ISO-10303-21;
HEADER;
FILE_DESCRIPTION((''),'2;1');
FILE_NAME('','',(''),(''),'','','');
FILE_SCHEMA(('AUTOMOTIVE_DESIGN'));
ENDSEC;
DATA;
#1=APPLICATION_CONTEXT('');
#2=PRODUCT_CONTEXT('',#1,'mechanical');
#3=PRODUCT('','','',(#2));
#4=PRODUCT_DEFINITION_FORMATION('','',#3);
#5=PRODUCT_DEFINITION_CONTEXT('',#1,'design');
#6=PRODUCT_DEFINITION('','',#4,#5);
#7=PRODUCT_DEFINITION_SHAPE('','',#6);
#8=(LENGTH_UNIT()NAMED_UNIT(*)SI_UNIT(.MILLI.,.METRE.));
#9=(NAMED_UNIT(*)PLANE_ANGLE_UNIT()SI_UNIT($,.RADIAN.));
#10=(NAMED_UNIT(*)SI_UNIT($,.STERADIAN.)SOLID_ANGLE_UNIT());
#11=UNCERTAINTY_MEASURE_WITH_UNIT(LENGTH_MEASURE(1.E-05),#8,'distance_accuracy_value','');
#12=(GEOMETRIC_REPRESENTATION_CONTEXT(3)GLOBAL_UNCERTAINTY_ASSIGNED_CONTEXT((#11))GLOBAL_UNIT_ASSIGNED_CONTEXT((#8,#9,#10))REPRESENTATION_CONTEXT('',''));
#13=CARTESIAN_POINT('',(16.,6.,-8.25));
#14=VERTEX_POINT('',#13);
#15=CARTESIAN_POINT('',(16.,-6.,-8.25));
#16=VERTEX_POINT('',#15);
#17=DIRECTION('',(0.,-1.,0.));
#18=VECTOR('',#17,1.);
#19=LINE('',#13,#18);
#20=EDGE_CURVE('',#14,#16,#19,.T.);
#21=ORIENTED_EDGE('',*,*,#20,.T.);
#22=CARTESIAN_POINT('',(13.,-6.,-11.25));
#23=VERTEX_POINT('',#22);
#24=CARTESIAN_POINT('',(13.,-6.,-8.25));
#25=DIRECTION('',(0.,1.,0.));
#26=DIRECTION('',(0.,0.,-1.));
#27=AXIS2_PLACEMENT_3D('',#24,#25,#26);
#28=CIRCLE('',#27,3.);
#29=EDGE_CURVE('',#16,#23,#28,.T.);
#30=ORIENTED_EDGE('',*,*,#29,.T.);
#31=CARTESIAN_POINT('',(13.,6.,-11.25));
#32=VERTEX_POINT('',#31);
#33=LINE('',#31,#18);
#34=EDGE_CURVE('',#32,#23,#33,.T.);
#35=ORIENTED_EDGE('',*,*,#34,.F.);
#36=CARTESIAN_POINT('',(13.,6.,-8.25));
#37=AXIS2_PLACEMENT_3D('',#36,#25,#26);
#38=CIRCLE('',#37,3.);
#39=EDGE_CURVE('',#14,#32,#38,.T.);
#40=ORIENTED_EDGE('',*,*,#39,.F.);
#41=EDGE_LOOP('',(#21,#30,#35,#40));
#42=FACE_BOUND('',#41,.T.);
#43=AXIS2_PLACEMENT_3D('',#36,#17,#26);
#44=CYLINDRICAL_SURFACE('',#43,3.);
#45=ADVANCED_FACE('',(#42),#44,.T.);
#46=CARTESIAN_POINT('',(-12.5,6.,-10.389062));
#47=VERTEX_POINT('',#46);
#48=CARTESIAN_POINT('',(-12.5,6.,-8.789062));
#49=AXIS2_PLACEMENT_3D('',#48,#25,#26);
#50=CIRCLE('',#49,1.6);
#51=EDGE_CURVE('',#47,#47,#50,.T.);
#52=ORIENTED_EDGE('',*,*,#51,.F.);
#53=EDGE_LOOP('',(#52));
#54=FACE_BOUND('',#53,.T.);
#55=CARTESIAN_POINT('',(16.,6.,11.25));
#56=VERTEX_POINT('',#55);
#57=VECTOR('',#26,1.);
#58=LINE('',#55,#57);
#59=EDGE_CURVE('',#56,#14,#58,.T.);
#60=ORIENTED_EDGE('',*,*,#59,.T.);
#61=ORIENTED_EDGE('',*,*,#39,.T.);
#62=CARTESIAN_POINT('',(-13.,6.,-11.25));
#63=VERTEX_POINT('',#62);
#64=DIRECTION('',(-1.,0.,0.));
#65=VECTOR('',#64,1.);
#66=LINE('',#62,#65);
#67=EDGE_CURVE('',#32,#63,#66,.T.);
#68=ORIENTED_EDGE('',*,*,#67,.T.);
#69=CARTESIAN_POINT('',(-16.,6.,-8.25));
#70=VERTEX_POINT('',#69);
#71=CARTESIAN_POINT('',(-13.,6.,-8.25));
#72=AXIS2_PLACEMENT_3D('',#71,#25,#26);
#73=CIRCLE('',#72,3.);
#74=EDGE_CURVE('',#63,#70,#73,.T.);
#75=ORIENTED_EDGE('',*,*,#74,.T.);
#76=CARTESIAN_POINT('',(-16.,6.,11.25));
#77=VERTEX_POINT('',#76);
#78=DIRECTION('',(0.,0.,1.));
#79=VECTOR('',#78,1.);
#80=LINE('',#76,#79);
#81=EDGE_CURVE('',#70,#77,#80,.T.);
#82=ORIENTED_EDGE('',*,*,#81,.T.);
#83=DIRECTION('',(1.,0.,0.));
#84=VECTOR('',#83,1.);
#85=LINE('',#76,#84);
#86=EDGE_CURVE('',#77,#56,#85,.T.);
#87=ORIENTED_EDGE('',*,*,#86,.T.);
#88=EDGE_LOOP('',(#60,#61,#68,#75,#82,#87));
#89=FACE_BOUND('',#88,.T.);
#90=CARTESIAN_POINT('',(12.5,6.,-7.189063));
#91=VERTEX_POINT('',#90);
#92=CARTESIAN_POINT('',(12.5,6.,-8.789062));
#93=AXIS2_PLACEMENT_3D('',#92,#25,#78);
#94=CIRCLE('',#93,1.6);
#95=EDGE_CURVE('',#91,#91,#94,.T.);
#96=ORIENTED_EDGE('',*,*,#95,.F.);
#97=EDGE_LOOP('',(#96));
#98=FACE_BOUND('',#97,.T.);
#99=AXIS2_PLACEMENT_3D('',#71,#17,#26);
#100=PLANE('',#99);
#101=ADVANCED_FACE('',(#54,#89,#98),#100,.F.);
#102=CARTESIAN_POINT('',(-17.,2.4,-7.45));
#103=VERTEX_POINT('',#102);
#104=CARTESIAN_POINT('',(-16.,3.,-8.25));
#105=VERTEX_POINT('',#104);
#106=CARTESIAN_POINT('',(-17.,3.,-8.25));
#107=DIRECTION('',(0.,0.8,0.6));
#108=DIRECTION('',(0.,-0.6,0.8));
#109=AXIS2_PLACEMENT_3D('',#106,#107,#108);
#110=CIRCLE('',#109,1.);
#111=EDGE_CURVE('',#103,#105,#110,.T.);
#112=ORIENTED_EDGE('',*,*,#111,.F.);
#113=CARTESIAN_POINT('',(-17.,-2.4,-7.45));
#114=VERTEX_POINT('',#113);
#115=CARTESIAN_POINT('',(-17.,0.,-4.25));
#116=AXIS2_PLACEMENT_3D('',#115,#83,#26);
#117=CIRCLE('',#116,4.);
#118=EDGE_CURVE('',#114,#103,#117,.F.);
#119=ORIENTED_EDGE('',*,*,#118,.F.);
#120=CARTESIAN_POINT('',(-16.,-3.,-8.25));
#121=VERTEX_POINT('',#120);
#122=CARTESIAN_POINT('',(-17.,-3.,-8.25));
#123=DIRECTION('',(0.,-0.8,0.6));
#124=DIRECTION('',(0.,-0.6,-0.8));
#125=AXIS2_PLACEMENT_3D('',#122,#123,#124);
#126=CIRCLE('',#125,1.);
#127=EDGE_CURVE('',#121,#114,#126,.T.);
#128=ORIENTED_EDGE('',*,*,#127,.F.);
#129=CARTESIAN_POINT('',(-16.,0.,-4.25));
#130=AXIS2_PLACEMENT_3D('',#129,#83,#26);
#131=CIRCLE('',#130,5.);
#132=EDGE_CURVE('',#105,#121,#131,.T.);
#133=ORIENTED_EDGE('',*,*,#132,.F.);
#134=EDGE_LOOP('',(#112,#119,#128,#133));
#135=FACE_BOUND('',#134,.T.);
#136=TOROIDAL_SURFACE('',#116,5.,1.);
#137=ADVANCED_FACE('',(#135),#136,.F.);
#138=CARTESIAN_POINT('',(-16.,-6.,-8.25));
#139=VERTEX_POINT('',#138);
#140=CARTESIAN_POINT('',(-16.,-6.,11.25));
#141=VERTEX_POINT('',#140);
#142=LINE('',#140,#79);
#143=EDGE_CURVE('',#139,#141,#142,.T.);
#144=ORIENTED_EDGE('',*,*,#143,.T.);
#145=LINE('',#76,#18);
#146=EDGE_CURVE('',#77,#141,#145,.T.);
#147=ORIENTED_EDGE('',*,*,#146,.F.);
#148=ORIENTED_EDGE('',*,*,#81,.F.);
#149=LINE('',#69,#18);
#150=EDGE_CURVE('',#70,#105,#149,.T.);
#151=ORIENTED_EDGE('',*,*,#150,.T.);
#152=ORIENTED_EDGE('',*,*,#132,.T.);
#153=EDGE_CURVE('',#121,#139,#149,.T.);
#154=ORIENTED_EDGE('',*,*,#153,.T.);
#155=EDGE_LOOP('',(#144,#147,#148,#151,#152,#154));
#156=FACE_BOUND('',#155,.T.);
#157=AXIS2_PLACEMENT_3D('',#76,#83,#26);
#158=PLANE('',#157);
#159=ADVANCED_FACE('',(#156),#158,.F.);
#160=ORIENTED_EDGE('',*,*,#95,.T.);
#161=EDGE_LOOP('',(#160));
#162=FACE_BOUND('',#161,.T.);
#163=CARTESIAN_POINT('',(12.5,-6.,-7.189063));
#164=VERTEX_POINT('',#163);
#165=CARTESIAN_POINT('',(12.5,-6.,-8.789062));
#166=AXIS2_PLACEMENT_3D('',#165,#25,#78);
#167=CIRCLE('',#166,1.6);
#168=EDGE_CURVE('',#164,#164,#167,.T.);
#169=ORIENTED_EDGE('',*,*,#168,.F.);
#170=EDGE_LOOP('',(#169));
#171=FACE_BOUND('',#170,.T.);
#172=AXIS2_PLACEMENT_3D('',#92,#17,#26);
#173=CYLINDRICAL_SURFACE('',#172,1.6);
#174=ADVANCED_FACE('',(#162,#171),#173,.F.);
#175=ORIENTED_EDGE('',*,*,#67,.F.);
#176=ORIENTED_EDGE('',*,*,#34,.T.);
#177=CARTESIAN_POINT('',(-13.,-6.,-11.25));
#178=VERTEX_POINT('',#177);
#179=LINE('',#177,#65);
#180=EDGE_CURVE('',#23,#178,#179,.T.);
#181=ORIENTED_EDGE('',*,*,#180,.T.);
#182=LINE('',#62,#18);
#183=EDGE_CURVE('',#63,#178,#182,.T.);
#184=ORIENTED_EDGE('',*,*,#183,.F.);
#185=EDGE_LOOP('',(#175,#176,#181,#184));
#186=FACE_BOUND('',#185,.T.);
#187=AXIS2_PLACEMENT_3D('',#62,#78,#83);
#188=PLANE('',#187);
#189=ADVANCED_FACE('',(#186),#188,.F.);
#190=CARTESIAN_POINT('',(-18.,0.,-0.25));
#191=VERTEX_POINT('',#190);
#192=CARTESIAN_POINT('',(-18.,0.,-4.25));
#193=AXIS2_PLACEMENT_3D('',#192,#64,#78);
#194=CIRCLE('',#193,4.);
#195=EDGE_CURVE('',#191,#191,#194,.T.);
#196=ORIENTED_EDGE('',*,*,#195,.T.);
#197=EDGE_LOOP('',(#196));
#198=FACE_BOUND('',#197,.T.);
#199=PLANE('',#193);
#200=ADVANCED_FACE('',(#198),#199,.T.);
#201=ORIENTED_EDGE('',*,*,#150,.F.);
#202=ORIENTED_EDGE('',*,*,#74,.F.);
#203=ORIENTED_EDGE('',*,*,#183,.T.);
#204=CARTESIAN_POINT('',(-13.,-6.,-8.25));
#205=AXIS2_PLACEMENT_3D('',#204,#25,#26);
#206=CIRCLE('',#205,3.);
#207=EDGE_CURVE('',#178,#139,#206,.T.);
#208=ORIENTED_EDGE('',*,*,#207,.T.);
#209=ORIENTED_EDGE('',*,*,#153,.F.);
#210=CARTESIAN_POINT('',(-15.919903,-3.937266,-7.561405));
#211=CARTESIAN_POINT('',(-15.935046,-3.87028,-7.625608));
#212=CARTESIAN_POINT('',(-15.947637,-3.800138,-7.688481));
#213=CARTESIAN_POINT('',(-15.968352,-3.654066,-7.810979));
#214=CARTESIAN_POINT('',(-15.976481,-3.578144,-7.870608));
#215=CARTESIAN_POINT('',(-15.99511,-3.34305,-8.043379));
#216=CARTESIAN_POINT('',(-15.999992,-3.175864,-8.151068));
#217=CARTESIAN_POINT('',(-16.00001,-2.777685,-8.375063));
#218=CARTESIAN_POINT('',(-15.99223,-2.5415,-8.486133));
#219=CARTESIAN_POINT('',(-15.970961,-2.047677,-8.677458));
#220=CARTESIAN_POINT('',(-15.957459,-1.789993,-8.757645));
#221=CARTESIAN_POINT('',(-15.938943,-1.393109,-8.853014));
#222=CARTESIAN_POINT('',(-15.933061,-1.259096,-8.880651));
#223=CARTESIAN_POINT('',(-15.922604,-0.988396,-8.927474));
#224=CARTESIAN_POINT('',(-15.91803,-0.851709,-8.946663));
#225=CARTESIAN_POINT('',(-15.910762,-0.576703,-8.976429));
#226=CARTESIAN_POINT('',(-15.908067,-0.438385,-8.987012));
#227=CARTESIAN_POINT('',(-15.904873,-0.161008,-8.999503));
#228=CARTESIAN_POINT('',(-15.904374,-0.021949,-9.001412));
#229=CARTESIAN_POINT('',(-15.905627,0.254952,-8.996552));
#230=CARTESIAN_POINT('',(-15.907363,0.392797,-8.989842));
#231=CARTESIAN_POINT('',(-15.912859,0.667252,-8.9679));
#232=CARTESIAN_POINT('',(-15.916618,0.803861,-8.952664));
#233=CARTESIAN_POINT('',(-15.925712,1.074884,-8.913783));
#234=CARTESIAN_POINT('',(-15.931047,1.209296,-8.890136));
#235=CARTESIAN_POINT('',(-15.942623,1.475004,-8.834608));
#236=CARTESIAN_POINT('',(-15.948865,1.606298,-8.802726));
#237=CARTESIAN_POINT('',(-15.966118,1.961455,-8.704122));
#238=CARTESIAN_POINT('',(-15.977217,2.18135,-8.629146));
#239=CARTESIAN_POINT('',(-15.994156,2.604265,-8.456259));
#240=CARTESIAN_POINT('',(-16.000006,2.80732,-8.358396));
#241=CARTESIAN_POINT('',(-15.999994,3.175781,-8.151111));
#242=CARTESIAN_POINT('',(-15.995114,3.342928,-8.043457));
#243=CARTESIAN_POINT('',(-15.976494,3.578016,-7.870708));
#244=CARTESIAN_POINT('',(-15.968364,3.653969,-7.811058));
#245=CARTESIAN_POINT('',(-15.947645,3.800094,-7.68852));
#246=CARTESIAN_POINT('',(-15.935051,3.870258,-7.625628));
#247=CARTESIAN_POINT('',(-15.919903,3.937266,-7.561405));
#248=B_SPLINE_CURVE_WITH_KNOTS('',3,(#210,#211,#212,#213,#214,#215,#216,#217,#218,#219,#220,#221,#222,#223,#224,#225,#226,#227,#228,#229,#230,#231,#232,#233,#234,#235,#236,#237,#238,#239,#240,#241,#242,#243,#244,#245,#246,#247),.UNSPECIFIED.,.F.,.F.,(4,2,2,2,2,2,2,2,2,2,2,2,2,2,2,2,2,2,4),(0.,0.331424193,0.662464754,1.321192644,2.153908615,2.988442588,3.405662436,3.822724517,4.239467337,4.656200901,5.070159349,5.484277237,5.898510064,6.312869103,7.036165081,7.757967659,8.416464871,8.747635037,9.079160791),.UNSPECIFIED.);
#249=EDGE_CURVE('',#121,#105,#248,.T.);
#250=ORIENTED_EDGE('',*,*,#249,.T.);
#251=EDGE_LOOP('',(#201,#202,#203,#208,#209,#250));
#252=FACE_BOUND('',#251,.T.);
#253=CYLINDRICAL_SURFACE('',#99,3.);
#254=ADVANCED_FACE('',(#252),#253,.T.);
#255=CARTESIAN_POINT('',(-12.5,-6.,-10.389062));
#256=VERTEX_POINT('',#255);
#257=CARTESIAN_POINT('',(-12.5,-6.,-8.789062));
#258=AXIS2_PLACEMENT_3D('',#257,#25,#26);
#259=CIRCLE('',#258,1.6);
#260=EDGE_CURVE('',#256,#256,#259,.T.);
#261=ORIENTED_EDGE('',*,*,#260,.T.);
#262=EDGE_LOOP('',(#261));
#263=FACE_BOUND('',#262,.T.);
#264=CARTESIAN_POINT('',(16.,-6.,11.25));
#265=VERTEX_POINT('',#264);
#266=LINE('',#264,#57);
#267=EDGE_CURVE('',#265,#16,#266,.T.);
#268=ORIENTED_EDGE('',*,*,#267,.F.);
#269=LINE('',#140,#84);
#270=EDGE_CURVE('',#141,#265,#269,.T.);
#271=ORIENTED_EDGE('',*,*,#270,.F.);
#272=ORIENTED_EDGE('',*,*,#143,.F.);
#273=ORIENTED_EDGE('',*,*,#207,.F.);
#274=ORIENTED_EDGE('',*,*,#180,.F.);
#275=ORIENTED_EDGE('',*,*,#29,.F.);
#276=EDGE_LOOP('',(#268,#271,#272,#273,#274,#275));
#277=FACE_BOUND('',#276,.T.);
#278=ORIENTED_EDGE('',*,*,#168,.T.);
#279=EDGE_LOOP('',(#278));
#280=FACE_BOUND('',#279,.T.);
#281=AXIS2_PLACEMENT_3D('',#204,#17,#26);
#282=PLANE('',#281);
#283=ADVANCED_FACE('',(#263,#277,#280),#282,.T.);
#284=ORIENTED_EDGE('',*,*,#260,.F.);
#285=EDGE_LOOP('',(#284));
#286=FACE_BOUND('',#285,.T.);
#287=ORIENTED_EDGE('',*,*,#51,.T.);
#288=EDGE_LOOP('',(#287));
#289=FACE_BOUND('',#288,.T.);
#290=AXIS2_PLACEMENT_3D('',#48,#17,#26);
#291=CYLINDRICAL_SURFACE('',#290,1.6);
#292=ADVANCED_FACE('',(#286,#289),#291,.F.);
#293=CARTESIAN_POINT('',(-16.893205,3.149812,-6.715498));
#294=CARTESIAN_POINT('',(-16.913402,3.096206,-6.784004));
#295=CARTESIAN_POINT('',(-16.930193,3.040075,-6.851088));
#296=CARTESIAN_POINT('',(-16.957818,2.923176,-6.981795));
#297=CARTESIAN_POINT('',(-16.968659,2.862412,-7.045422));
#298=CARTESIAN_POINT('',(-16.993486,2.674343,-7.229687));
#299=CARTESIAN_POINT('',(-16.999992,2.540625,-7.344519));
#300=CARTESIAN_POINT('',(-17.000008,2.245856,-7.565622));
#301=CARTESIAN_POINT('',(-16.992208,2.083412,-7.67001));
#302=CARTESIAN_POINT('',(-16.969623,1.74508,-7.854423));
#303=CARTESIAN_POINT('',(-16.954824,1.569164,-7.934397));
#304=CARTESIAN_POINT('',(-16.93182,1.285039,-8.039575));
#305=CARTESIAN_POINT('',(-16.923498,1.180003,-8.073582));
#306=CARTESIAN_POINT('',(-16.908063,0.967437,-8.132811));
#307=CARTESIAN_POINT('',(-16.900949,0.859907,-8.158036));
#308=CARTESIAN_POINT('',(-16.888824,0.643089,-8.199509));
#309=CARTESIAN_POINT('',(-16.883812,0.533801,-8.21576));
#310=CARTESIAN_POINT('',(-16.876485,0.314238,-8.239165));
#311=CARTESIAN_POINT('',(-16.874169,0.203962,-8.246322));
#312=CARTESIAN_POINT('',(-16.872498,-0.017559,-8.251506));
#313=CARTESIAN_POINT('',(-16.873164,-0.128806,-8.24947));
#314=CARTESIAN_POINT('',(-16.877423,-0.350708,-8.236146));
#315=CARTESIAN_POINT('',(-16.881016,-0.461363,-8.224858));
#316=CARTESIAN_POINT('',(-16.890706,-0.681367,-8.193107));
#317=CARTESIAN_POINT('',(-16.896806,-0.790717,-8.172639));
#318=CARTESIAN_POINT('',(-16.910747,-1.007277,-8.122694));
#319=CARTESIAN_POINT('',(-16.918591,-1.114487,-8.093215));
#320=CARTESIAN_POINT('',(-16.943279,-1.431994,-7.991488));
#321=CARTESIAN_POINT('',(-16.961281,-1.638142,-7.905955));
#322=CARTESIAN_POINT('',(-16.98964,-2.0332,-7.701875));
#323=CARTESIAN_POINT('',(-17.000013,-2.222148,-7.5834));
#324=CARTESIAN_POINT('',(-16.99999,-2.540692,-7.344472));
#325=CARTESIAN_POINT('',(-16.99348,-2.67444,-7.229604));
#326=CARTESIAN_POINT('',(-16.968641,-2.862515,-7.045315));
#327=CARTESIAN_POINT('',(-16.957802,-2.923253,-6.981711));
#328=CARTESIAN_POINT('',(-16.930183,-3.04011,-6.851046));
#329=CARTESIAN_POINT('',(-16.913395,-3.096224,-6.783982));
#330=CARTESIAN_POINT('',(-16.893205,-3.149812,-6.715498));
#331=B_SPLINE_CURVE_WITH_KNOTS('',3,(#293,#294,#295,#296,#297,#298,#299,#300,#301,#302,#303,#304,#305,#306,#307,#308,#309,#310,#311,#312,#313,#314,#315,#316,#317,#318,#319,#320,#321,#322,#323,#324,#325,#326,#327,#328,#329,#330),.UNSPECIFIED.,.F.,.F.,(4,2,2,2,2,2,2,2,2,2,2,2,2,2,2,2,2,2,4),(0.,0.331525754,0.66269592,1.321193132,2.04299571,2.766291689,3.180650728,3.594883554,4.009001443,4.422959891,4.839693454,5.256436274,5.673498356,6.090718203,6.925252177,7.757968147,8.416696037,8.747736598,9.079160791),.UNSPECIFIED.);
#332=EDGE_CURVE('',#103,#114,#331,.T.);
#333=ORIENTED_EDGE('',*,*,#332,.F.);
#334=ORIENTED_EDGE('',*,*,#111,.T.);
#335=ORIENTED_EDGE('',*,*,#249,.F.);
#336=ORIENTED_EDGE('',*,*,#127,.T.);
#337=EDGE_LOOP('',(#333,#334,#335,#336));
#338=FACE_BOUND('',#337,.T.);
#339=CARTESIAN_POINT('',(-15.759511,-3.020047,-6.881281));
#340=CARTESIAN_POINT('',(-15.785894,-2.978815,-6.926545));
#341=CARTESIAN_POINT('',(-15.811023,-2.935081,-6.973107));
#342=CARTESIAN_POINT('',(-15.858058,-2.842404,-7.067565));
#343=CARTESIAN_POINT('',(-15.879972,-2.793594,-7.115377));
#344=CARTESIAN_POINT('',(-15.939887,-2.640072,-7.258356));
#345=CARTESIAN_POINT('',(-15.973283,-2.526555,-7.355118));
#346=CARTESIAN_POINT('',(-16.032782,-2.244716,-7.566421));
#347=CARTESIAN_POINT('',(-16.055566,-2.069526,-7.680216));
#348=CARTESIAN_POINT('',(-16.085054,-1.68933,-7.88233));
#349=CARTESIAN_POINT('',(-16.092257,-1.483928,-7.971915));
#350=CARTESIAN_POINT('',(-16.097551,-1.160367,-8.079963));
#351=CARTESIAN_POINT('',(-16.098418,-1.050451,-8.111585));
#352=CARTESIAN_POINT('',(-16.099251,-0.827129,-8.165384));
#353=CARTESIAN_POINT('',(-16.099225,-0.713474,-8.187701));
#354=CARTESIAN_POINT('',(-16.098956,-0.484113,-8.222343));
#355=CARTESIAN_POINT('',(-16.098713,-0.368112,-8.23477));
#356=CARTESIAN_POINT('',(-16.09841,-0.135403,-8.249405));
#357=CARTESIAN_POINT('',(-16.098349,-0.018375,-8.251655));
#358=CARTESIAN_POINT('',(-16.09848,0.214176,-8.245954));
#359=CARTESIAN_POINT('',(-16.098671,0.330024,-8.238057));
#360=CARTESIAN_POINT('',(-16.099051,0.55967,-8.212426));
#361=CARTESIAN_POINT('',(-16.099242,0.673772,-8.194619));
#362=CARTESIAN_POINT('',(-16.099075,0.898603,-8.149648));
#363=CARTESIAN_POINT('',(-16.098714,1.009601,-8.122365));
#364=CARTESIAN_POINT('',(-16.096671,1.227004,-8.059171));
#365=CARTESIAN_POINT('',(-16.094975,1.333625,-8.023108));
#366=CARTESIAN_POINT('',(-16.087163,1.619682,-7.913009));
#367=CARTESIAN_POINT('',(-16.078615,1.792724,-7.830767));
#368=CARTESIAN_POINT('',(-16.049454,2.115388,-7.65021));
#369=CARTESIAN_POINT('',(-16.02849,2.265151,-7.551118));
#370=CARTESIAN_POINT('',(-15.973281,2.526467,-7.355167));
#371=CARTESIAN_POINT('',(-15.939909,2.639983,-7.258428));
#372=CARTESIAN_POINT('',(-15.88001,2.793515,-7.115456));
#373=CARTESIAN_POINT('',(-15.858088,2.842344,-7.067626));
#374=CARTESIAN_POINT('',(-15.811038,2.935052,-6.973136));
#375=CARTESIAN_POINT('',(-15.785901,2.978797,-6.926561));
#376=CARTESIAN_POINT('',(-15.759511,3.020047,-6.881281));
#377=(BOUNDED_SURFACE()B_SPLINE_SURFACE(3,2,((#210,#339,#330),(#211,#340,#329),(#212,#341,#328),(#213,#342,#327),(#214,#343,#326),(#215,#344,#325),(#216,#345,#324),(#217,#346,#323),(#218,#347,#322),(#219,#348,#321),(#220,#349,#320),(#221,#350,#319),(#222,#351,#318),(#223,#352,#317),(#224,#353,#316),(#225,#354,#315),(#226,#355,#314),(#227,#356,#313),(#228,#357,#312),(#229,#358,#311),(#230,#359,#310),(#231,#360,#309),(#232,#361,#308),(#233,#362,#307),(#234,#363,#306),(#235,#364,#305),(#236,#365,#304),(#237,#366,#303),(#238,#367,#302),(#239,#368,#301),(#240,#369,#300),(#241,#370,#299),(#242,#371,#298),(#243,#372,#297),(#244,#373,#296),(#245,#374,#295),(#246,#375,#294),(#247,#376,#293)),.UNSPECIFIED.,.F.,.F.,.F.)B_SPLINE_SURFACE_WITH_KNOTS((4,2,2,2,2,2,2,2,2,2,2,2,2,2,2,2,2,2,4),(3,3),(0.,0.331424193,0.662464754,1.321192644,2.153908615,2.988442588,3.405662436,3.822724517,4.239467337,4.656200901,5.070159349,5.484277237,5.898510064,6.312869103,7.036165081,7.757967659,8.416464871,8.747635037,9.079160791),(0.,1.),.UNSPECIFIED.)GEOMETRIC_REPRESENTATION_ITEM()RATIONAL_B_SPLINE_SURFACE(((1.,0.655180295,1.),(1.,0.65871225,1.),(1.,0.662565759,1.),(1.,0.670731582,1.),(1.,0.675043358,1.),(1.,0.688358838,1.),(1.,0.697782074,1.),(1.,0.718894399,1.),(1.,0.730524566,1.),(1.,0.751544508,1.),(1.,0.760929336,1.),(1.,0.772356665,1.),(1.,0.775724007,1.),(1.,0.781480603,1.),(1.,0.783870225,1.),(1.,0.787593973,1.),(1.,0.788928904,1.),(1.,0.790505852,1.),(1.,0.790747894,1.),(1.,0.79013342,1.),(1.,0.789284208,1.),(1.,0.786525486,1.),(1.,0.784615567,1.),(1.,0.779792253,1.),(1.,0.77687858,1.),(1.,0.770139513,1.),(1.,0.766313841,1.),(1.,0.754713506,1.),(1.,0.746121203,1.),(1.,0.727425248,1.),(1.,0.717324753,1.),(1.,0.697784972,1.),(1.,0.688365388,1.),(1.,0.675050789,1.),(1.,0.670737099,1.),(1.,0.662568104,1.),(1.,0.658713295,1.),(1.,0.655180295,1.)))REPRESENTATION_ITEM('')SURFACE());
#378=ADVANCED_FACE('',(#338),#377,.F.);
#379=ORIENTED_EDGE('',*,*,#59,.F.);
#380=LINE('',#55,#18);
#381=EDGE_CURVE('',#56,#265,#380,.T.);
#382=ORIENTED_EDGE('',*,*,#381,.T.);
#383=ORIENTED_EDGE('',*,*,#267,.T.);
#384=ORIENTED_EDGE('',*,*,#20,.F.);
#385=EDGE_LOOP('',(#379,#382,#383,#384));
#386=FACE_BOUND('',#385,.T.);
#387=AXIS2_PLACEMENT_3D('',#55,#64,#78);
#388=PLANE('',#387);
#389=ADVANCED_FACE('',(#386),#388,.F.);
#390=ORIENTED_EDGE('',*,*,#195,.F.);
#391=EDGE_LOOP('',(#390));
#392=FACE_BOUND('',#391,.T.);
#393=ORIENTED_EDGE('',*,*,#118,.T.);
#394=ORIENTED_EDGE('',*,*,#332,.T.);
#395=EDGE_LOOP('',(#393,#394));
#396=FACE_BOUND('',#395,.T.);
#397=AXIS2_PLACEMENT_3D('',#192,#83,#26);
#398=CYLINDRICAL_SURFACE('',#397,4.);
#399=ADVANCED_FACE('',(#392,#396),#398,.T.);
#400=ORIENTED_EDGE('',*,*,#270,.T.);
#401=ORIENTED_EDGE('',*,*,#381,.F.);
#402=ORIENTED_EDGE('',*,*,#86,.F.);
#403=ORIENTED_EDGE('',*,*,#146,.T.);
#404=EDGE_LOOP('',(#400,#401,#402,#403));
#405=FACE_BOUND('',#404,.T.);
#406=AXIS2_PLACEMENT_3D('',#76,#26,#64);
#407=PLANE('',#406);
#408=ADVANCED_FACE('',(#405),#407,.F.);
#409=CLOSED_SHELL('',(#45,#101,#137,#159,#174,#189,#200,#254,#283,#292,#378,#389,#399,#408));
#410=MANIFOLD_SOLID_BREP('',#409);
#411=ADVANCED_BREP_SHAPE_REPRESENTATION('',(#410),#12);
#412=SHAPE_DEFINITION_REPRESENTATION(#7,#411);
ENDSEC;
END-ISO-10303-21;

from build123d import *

# Parameters (mm, degrees)
SKETCH_1_R      = 1.6
EXTRUDE_1_DEPTH = 6
SKETCH_2_R      = 4
EXTRUDE_2_DEPTH = 2
FILLET_1_R      = 1


with BuildPart() as part:
    # 草图1 → 凸台-拉伸1 (new, symmetric)
    with BuildSketch(Plane(origin=(0, 0, 0), x_dir=(1, 0, 0), z_dir=(0, 1, 0))):
        with BuildLine():
            Line((-16, -11.25), (16, -11.25))
            Line((16, -11.25), (16, 8.25))
            ThreePointArc((16, 8.25), (15.121320344, 10.371320344), (13, 11.25))
            Line((13, 11.25), (-13, 11.25))
            ThreePointArc((-13, 11.25), (-15.121320344, 10.371320344), (-16, 8.25))
            Line((-16, 8.25), (-16, -11.25))
        make_face()
        with Locations(Location((12.5, 8.7890625, 0), (0, 0, 270))):
            Circle(SKETCH_1_R, mode=Mode.SUBTRACT)
        with Locations(Location((-12.5, 8.7890625, 0), (0, 0, 90))):
            Circle(SKETCH_1_R, mode=Mode.SUBTRACT)
    extrude(amount=EXTRUDE_1_DEPTH, both=True)

    # 草图2 → 凸台-拉伸2 (add)
    with BuildSketch(Plane.ZY.offset(16)):
        with Locations(Location((-4.25, 0, 0), (0, 0, 180))):
            Circle(SKETCH_2_R)
    extrude(amount=EXTRUDE_2_DEPTH)

    # 圆角1
    fillet_1_edges = [part.edges().sort_by_distance(p)[0] for p in [
        (-16, 0, -0.25),
    ]]
    fillet(fillet_1_edges, radius=FILLET_1_R)


solid = part.part
